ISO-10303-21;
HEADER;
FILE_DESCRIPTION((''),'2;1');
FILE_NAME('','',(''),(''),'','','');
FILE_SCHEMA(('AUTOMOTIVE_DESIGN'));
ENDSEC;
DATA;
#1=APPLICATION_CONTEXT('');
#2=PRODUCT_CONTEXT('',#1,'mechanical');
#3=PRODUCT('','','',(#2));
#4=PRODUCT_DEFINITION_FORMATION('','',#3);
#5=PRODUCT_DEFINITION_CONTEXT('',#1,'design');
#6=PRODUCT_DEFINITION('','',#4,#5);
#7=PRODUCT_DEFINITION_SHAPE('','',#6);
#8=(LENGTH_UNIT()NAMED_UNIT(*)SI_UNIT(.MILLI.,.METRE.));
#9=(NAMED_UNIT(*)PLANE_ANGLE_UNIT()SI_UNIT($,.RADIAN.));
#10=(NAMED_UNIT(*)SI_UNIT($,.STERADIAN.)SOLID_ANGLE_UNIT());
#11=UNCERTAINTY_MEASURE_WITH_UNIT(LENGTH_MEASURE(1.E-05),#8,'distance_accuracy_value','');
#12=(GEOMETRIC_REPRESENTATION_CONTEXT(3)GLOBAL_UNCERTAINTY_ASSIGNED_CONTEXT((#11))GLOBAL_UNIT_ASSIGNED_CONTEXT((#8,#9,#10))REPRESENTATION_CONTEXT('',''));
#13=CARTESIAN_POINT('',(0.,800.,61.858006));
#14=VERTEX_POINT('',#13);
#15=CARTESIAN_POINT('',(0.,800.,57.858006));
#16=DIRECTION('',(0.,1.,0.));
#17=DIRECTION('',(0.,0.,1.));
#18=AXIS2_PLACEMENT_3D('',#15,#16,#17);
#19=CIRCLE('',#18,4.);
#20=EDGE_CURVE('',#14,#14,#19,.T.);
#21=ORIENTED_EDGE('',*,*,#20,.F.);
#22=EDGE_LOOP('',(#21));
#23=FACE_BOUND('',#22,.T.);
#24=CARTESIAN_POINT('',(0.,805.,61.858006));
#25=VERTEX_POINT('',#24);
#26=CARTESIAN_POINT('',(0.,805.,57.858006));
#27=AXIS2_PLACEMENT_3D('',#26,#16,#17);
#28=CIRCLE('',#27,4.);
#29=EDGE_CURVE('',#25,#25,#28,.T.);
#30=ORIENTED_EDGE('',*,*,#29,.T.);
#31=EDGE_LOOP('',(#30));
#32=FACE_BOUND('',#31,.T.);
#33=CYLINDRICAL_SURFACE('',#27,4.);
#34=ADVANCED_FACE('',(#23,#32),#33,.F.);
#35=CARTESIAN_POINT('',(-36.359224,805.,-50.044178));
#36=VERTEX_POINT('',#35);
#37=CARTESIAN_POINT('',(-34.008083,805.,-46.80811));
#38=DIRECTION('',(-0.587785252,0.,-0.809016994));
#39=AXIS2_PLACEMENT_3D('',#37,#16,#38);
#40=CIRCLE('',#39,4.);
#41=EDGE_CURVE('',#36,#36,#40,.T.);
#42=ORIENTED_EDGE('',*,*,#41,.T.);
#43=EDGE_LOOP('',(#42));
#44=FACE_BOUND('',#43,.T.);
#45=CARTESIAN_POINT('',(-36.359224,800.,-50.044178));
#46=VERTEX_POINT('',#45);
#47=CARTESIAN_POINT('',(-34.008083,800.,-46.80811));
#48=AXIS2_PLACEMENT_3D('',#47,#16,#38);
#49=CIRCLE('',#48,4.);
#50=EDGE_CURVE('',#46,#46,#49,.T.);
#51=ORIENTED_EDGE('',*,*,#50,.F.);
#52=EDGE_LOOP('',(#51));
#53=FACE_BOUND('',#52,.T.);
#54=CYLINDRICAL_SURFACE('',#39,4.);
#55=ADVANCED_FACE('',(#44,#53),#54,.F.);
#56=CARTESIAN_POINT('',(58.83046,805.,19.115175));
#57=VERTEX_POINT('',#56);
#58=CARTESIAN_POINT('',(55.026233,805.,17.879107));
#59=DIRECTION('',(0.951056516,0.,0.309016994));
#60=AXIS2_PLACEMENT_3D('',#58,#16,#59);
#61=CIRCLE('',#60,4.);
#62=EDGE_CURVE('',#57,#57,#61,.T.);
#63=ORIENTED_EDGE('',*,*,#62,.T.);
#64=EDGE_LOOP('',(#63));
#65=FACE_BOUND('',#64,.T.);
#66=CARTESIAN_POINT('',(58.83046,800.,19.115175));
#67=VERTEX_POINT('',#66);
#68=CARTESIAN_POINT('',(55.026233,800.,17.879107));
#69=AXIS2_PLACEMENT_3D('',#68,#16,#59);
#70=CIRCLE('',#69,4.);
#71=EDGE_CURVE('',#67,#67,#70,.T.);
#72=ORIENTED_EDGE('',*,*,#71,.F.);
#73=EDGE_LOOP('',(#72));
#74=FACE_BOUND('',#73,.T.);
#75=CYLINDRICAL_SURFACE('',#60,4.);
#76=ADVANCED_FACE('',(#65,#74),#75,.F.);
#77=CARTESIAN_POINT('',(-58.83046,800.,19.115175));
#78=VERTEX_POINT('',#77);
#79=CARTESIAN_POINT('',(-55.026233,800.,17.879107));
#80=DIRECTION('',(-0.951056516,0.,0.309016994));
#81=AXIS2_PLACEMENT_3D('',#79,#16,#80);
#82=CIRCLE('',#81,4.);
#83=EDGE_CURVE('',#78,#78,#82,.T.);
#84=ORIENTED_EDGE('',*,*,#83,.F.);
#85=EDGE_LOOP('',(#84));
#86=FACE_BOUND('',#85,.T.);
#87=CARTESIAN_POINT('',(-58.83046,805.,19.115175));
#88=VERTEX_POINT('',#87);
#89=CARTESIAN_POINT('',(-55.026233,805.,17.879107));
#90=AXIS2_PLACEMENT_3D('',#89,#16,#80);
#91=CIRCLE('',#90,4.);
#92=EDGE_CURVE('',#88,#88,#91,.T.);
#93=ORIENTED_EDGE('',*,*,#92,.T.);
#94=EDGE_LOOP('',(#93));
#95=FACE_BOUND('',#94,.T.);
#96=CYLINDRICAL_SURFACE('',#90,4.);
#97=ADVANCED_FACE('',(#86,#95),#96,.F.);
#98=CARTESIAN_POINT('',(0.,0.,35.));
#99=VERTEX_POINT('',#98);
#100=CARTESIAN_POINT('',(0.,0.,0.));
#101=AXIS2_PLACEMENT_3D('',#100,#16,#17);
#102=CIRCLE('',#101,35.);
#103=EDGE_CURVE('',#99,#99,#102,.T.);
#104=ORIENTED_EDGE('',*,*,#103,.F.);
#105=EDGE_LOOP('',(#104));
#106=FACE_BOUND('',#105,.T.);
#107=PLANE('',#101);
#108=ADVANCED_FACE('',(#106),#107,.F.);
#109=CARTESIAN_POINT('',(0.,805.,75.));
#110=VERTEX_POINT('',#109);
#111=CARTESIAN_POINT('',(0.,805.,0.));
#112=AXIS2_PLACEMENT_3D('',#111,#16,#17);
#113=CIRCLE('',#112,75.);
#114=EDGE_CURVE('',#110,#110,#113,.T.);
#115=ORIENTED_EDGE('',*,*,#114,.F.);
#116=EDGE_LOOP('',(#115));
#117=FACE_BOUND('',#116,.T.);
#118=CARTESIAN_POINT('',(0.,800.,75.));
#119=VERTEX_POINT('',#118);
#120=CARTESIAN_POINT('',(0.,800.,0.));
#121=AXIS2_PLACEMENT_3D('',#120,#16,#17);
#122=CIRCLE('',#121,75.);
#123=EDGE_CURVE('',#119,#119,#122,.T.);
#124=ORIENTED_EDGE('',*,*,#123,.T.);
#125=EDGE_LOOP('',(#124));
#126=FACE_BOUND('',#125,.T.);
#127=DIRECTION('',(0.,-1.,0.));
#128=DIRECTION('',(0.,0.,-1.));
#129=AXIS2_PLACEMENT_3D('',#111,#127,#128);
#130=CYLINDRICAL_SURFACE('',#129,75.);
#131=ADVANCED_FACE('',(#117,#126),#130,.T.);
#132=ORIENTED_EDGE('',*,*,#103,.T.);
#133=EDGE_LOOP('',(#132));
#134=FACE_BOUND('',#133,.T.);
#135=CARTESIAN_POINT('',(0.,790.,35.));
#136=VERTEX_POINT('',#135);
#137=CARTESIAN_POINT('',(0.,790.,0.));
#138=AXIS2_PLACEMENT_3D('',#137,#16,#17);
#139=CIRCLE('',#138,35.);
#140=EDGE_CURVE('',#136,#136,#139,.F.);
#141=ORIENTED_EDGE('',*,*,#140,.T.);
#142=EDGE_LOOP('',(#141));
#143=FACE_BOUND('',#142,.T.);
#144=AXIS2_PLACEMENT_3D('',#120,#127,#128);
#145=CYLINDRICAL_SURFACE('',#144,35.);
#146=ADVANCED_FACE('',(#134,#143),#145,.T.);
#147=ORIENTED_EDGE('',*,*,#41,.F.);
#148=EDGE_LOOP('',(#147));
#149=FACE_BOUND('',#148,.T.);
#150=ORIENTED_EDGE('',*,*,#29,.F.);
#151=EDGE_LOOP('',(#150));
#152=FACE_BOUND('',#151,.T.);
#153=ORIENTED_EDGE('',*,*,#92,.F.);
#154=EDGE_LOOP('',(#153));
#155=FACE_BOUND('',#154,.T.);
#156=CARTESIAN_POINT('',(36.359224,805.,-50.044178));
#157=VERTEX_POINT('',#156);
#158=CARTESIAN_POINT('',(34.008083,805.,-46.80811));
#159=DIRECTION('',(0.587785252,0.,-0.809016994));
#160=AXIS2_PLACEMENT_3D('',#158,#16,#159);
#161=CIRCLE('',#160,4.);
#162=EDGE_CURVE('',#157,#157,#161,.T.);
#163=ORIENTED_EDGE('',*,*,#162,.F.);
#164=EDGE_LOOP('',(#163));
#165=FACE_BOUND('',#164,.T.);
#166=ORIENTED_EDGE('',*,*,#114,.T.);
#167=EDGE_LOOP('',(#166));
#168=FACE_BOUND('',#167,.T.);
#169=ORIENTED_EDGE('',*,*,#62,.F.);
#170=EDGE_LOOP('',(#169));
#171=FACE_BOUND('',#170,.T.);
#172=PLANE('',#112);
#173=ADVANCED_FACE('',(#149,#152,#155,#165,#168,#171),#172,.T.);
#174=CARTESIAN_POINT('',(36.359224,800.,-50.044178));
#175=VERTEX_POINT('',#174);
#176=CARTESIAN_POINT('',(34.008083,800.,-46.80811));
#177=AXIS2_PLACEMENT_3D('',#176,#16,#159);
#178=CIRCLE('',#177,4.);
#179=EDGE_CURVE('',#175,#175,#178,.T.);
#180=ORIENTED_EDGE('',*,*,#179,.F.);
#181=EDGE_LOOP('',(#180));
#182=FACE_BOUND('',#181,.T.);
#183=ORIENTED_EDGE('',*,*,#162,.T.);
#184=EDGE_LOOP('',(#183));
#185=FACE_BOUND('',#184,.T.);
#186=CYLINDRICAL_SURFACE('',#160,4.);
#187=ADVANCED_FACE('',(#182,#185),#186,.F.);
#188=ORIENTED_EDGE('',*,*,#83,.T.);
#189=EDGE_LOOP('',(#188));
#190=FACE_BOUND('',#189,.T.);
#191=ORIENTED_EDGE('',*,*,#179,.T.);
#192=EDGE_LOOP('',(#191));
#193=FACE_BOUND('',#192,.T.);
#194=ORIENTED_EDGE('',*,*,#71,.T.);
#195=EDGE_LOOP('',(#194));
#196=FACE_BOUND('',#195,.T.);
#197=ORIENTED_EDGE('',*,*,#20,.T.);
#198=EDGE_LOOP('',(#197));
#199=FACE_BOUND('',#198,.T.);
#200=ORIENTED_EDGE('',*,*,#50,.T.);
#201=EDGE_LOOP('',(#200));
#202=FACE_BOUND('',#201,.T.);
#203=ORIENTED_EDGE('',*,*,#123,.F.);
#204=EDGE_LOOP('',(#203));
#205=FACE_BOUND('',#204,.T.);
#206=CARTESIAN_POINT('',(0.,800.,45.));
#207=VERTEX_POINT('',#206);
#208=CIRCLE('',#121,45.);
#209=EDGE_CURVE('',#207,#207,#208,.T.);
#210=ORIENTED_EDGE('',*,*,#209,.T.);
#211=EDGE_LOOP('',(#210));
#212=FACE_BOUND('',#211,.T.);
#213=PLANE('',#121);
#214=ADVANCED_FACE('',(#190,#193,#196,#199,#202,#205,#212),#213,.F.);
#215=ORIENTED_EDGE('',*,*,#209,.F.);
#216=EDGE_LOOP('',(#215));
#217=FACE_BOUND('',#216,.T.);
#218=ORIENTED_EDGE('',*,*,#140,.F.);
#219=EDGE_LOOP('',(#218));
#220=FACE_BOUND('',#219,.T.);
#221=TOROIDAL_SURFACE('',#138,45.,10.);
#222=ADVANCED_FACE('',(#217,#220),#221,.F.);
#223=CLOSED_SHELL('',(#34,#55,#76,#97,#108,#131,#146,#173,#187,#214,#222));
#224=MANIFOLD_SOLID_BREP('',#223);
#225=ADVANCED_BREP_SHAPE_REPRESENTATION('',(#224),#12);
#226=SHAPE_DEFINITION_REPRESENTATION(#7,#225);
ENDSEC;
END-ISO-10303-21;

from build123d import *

# Parameters (mm, degrees)
SKETCH1_R                = 35
BOSS_EXTRUDE1_DEPTH      = 800
SKETCH2_R                = 75
BOSS_EXTRUDE2_DEPTH      = 5
FILLET1_R                = 10
F_8_0_8_DIAMETER_HOLE1_D = 8
CIRPATTERN1_COUNT        = 5


with BuildPart() as part:
    # Sketch1 → Boss-Extrude1 (new body)
    with BuildSketch(Plane(origin=(0, 0, 0), x_dir=(1, 0, 0), z_dir=(0, 1, 0))):
        with Locations(Location((0, 0, 0), (0, 0, 270))):
            Circle(SKETCH1_R)
    extrude(amount=BOSS_EXTRUDE1_DEPTH)

    # Sketch2 → Boss-Extrude2 (add)
    with BuildSketch(Plane(origin=(0, 800, 0), x_dir=(1, 0, 0), z_dir=(0, 1, 0))):
        with Locations(Location((0, 0, 0), (0, 0, 270))):
            Circle(SKETCH2_R)
    extrude(amount=BOSS_EXTRUDE2_DEPTH)

    # Fillet1
    fillet1_edges = [part.edges().sort_by_distance(p)[0] for p in [
        (0, 800, -35),
    ]]
    fillet(fillet1_edges, radius=FILLET1_R)

    # Ø8.0 (8) Diameter Hole1 (through all)
    with Locations(Plane(origin=(0, 805, 0), x_dir=(1, 0, 0), z_dir=(0, 1, 0))):
        with Locations((0, -57.858005833)):
            f_8_0_8_diameter_hole1 = Hole(F_8_0_8_DIAMETER_HOLE1_D / 2)

    # CirPattern1: Ø8.0 (8) Diameter Hole1 ×5 about axis
    cirpattern1_axis = Axis((0, 0, 0), (0, 1, 0))
    for i in range(1, CIRPATTERN1_COUNT):
        add(f_8_0_8_diameter_hole1.rotate(cirpattern1_axis, i * 360 / CIRPATTERN1_COUNT), mode=Mode.SUBTRACT)


solid = part.part
